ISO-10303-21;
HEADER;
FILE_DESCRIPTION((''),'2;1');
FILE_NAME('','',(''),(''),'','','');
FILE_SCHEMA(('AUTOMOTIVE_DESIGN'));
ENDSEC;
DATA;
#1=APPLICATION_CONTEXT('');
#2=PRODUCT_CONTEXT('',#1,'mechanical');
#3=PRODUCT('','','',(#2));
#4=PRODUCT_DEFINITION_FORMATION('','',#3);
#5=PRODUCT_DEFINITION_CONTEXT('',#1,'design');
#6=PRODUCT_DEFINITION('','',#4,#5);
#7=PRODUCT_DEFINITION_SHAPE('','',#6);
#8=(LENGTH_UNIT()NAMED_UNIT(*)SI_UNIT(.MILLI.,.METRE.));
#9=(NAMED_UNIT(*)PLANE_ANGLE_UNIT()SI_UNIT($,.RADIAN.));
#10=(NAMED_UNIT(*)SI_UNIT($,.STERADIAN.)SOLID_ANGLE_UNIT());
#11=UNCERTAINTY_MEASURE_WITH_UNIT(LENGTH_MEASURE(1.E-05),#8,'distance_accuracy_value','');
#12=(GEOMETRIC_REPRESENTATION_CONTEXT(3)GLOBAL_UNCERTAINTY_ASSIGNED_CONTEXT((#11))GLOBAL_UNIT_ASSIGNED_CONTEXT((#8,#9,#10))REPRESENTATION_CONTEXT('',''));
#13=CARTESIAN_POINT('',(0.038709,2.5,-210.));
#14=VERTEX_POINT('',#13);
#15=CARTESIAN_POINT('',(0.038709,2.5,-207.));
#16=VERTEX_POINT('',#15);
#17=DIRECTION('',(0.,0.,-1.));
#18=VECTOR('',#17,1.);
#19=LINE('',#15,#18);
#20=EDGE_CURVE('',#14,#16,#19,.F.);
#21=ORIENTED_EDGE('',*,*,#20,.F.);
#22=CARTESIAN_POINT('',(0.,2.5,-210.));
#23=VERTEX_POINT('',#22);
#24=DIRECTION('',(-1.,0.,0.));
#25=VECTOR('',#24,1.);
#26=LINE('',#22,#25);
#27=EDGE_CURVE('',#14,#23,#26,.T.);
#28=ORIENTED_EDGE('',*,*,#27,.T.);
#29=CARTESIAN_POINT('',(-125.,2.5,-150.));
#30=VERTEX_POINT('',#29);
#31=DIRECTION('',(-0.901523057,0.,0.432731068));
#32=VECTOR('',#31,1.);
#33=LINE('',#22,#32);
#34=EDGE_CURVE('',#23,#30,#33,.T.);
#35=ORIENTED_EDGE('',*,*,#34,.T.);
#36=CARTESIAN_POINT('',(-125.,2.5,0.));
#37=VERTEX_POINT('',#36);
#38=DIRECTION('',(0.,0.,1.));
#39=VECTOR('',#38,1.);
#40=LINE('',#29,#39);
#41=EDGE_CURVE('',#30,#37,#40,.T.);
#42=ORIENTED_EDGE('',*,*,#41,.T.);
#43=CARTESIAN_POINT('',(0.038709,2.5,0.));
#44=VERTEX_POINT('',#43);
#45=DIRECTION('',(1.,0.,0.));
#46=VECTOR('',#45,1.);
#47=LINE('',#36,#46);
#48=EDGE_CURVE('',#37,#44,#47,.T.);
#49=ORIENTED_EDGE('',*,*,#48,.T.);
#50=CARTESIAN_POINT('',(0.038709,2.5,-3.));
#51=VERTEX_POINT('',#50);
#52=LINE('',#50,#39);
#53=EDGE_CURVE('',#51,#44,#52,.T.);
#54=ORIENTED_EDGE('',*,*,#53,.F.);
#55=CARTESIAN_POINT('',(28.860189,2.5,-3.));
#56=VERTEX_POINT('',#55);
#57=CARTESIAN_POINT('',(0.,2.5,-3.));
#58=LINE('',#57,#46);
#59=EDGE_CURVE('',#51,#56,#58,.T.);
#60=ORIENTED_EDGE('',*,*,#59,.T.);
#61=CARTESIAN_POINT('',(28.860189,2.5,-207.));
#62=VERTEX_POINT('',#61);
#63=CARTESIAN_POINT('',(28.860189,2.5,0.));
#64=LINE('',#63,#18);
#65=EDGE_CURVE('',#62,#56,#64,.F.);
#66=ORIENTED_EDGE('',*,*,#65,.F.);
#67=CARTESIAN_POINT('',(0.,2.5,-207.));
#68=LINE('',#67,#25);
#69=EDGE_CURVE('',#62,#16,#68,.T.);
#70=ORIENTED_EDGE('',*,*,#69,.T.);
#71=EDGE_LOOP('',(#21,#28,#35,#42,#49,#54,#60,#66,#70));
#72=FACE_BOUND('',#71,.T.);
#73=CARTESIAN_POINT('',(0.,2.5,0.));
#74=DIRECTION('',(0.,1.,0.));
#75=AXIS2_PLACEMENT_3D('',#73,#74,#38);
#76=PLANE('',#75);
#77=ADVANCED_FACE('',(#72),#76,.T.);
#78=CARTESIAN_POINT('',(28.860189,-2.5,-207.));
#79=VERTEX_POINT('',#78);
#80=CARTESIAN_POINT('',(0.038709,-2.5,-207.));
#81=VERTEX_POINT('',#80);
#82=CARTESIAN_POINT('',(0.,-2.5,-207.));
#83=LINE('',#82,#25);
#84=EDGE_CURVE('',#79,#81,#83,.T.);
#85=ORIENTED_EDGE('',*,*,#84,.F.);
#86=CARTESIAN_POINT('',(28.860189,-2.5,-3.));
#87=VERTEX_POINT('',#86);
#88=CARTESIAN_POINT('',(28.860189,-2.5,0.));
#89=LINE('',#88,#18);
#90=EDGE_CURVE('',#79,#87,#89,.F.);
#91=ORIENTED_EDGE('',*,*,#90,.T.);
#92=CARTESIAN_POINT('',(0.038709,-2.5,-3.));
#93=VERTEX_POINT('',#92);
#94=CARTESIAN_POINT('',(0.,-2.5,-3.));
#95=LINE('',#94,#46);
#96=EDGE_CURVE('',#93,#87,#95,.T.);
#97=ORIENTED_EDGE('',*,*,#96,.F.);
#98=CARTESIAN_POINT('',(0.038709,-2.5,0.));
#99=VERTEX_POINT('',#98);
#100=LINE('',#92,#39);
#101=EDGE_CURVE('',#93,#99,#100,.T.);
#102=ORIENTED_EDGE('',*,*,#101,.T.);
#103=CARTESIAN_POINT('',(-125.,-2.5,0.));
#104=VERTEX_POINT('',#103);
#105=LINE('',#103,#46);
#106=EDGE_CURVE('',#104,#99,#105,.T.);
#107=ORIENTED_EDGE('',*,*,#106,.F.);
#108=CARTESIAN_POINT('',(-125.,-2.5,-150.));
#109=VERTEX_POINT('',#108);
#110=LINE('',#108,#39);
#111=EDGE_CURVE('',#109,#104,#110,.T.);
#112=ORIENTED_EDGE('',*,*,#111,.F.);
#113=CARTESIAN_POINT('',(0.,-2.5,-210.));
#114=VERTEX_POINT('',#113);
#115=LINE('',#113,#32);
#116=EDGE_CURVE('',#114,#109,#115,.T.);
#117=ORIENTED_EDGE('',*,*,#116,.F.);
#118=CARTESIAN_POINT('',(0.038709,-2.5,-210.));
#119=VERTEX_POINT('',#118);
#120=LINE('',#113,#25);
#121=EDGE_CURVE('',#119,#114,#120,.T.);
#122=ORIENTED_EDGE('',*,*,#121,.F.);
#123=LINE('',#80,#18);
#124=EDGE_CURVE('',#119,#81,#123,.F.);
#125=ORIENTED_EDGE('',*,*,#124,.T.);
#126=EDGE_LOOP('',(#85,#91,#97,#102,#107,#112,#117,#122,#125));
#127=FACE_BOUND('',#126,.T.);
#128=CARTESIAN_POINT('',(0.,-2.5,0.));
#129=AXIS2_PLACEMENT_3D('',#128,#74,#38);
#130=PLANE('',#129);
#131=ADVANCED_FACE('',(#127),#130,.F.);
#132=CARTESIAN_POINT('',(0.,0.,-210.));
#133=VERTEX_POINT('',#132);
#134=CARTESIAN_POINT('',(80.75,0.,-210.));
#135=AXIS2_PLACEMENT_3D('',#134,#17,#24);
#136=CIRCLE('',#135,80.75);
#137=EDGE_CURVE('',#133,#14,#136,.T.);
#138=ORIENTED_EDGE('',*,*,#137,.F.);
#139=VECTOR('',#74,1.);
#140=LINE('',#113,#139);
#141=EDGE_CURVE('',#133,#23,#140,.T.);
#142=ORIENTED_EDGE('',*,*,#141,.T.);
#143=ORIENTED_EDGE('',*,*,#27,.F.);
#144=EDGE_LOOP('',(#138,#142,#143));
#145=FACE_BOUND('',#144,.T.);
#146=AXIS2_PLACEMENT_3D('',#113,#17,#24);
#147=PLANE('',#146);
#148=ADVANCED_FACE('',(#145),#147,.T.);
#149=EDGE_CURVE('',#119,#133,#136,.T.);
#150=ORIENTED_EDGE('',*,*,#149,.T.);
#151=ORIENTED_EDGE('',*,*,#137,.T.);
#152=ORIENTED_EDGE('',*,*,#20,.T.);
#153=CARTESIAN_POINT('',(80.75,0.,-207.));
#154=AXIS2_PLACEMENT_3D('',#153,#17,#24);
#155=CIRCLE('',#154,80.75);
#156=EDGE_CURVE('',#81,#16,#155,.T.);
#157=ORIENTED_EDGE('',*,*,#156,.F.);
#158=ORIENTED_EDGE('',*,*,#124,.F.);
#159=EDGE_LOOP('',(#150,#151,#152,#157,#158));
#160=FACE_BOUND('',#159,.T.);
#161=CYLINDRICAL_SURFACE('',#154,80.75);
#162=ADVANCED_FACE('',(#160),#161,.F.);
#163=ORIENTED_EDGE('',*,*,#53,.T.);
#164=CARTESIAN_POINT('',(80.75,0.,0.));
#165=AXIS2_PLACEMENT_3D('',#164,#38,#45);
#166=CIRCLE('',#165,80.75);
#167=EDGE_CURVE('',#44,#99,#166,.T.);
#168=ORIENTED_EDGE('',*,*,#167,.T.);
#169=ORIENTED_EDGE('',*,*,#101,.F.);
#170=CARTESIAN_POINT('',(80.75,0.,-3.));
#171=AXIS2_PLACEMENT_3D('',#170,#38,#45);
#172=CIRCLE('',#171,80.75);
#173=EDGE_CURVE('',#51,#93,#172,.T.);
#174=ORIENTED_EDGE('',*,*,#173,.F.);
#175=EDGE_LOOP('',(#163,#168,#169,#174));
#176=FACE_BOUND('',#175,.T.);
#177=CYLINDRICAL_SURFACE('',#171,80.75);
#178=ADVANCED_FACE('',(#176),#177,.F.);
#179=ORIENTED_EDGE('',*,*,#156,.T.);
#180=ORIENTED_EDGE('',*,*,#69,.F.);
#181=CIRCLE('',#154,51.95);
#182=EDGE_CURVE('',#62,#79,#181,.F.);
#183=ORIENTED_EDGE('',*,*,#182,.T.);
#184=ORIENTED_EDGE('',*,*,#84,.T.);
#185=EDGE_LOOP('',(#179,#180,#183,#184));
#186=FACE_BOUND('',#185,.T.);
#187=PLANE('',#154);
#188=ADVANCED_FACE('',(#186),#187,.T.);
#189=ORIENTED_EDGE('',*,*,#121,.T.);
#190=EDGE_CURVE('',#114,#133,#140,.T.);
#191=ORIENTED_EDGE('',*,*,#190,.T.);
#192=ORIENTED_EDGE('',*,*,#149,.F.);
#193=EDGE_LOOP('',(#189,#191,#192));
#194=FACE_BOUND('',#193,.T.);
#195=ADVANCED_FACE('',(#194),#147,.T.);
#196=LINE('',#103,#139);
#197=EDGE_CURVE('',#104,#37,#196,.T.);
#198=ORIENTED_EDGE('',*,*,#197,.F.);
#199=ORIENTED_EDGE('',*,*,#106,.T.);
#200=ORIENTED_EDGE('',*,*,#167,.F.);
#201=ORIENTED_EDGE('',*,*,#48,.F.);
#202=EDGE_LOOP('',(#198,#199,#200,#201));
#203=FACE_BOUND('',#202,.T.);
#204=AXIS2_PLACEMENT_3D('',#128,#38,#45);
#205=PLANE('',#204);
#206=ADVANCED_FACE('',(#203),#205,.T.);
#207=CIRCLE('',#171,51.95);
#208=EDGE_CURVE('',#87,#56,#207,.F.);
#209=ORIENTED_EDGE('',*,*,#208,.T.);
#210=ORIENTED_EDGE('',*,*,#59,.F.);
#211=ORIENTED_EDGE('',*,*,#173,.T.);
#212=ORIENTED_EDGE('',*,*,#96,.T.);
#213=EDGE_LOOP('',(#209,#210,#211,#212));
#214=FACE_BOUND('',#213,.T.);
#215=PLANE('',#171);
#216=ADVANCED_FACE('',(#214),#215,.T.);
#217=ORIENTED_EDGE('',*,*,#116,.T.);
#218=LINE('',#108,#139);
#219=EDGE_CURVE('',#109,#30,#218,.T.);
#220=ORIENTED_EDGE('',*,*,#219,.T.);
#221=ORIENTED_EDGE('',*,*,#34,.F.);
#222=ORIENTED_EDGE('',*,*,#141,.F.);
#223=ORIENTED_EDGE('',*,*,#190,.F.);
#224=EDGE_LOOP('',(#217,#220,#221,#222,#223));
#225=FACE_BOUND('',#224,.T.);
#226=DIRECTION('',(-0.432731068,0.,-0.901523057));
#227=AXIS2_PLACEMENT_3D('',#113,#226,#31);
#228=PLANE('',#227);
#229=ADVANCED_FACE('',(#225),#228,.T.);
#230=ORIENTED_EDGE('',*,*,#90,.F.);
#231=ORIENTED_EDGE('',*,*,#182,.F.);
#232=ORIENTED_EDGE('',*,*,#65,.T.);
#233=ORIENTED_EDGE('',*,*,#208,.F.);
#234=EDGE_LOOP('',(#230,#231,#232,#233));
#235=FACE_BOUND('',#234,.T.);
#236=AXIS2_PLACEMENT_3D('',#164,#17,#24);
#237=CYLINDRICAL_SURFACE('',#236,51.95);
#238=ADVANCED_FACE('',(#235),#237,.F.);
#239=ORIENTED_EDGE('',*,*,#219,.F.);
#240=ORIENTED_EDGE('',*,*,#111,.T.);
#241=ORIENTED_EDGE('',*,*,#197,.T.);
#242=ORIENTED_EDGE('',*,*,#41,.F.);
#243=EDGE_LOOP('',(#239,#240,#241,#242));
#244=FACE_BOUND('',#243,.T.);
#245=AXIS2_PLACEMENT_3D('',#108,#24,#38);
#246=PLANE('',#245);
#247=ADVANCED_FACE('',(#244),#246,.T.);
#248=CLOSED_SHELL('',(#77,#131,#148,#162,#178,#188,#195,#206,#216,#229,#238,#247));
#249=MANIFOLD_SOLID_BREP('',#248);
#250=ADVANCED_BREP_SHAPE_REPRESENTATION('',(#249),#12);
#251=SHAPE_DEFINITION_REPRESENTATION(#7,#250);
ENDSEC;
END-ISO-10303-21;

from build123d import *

# Parameters (mm, degrees)
BOSS_EXTRUDE1_DEPTH      = 2.5
BOSS_EXTRUDE1_DEPTH_BACK = 2.5
SKETCH2_R                = 51.95
CUT_EXTRUDE1_DEPTH       = 245.399774959
SKETCH3_R                = 80.75
CUT_EXTRUDE2_DEPTH       = 3
CUT_EXTRUDE3_START       = -3
SKETCH4_R                = 80.75
CUT_EXTRUDE3_DEPTH       = 3


with BuildPart() as part:
    # Sketch1 → Boss-Extrude1 (new, two sides: drawn at the far end of the back side and taken through both)
    with BuildSketch(Plane(origin=(0, 0, 0), x_dir=(1, 0, 0), z_dir=(0, 1, 0)).offset(-BOSS_EXTRUDE1_DEPTH_BACK)):
        Polygon((-125, 150), (-125, 0), (0, 0), (80.75, 0), (80.75, 210), (0, 210), align=None)
    extrude(amount=BOSS_EXTRUDE1_DEPTH + BOSS_EXTRUDE1_DEPTH_BACK)

    # Sketch2 → Cut-Extrude1 (cut, through all)
    with BuildSketch(Plane(origin=(0, 0, -210), x_dir=(-1, 0, 0), z_dir=(0, 0, -1))):
        with Locations((-80.75, 0)):
            Circle(SKETCH2_R)
    extrude(amount=-CUT_EXTRUDE1_DEPTH, mode=Mode.SUBTRACT)

    # Sketch3 → Cut-Extrude2 (cut)
    with BuildSketch(Plane(origin=(0, 0, -210), x_dir=(-1, 0, 0), z_dir=(0, 0, -1))):
        with Locations((-80.75, 0)):
            Circle(SKETCH3_R)
    extrude(amount=-CUT_EXTRUDE2_DEPTH, mode=Mode.SUBTRACT)

    # Sketch4 → Cut-Extrude3 (cut)
    with BuildSketch(Plane.XY.offset(CUT_EXTRUDE3_START)):
        with Locations((80.75, 0)):
            Circle(SKETCH4_R)
    extrude(amount=CUT_EXTRUDE3_DEPTH, mode=Mode.SUBTRACT)


solid = part.part
